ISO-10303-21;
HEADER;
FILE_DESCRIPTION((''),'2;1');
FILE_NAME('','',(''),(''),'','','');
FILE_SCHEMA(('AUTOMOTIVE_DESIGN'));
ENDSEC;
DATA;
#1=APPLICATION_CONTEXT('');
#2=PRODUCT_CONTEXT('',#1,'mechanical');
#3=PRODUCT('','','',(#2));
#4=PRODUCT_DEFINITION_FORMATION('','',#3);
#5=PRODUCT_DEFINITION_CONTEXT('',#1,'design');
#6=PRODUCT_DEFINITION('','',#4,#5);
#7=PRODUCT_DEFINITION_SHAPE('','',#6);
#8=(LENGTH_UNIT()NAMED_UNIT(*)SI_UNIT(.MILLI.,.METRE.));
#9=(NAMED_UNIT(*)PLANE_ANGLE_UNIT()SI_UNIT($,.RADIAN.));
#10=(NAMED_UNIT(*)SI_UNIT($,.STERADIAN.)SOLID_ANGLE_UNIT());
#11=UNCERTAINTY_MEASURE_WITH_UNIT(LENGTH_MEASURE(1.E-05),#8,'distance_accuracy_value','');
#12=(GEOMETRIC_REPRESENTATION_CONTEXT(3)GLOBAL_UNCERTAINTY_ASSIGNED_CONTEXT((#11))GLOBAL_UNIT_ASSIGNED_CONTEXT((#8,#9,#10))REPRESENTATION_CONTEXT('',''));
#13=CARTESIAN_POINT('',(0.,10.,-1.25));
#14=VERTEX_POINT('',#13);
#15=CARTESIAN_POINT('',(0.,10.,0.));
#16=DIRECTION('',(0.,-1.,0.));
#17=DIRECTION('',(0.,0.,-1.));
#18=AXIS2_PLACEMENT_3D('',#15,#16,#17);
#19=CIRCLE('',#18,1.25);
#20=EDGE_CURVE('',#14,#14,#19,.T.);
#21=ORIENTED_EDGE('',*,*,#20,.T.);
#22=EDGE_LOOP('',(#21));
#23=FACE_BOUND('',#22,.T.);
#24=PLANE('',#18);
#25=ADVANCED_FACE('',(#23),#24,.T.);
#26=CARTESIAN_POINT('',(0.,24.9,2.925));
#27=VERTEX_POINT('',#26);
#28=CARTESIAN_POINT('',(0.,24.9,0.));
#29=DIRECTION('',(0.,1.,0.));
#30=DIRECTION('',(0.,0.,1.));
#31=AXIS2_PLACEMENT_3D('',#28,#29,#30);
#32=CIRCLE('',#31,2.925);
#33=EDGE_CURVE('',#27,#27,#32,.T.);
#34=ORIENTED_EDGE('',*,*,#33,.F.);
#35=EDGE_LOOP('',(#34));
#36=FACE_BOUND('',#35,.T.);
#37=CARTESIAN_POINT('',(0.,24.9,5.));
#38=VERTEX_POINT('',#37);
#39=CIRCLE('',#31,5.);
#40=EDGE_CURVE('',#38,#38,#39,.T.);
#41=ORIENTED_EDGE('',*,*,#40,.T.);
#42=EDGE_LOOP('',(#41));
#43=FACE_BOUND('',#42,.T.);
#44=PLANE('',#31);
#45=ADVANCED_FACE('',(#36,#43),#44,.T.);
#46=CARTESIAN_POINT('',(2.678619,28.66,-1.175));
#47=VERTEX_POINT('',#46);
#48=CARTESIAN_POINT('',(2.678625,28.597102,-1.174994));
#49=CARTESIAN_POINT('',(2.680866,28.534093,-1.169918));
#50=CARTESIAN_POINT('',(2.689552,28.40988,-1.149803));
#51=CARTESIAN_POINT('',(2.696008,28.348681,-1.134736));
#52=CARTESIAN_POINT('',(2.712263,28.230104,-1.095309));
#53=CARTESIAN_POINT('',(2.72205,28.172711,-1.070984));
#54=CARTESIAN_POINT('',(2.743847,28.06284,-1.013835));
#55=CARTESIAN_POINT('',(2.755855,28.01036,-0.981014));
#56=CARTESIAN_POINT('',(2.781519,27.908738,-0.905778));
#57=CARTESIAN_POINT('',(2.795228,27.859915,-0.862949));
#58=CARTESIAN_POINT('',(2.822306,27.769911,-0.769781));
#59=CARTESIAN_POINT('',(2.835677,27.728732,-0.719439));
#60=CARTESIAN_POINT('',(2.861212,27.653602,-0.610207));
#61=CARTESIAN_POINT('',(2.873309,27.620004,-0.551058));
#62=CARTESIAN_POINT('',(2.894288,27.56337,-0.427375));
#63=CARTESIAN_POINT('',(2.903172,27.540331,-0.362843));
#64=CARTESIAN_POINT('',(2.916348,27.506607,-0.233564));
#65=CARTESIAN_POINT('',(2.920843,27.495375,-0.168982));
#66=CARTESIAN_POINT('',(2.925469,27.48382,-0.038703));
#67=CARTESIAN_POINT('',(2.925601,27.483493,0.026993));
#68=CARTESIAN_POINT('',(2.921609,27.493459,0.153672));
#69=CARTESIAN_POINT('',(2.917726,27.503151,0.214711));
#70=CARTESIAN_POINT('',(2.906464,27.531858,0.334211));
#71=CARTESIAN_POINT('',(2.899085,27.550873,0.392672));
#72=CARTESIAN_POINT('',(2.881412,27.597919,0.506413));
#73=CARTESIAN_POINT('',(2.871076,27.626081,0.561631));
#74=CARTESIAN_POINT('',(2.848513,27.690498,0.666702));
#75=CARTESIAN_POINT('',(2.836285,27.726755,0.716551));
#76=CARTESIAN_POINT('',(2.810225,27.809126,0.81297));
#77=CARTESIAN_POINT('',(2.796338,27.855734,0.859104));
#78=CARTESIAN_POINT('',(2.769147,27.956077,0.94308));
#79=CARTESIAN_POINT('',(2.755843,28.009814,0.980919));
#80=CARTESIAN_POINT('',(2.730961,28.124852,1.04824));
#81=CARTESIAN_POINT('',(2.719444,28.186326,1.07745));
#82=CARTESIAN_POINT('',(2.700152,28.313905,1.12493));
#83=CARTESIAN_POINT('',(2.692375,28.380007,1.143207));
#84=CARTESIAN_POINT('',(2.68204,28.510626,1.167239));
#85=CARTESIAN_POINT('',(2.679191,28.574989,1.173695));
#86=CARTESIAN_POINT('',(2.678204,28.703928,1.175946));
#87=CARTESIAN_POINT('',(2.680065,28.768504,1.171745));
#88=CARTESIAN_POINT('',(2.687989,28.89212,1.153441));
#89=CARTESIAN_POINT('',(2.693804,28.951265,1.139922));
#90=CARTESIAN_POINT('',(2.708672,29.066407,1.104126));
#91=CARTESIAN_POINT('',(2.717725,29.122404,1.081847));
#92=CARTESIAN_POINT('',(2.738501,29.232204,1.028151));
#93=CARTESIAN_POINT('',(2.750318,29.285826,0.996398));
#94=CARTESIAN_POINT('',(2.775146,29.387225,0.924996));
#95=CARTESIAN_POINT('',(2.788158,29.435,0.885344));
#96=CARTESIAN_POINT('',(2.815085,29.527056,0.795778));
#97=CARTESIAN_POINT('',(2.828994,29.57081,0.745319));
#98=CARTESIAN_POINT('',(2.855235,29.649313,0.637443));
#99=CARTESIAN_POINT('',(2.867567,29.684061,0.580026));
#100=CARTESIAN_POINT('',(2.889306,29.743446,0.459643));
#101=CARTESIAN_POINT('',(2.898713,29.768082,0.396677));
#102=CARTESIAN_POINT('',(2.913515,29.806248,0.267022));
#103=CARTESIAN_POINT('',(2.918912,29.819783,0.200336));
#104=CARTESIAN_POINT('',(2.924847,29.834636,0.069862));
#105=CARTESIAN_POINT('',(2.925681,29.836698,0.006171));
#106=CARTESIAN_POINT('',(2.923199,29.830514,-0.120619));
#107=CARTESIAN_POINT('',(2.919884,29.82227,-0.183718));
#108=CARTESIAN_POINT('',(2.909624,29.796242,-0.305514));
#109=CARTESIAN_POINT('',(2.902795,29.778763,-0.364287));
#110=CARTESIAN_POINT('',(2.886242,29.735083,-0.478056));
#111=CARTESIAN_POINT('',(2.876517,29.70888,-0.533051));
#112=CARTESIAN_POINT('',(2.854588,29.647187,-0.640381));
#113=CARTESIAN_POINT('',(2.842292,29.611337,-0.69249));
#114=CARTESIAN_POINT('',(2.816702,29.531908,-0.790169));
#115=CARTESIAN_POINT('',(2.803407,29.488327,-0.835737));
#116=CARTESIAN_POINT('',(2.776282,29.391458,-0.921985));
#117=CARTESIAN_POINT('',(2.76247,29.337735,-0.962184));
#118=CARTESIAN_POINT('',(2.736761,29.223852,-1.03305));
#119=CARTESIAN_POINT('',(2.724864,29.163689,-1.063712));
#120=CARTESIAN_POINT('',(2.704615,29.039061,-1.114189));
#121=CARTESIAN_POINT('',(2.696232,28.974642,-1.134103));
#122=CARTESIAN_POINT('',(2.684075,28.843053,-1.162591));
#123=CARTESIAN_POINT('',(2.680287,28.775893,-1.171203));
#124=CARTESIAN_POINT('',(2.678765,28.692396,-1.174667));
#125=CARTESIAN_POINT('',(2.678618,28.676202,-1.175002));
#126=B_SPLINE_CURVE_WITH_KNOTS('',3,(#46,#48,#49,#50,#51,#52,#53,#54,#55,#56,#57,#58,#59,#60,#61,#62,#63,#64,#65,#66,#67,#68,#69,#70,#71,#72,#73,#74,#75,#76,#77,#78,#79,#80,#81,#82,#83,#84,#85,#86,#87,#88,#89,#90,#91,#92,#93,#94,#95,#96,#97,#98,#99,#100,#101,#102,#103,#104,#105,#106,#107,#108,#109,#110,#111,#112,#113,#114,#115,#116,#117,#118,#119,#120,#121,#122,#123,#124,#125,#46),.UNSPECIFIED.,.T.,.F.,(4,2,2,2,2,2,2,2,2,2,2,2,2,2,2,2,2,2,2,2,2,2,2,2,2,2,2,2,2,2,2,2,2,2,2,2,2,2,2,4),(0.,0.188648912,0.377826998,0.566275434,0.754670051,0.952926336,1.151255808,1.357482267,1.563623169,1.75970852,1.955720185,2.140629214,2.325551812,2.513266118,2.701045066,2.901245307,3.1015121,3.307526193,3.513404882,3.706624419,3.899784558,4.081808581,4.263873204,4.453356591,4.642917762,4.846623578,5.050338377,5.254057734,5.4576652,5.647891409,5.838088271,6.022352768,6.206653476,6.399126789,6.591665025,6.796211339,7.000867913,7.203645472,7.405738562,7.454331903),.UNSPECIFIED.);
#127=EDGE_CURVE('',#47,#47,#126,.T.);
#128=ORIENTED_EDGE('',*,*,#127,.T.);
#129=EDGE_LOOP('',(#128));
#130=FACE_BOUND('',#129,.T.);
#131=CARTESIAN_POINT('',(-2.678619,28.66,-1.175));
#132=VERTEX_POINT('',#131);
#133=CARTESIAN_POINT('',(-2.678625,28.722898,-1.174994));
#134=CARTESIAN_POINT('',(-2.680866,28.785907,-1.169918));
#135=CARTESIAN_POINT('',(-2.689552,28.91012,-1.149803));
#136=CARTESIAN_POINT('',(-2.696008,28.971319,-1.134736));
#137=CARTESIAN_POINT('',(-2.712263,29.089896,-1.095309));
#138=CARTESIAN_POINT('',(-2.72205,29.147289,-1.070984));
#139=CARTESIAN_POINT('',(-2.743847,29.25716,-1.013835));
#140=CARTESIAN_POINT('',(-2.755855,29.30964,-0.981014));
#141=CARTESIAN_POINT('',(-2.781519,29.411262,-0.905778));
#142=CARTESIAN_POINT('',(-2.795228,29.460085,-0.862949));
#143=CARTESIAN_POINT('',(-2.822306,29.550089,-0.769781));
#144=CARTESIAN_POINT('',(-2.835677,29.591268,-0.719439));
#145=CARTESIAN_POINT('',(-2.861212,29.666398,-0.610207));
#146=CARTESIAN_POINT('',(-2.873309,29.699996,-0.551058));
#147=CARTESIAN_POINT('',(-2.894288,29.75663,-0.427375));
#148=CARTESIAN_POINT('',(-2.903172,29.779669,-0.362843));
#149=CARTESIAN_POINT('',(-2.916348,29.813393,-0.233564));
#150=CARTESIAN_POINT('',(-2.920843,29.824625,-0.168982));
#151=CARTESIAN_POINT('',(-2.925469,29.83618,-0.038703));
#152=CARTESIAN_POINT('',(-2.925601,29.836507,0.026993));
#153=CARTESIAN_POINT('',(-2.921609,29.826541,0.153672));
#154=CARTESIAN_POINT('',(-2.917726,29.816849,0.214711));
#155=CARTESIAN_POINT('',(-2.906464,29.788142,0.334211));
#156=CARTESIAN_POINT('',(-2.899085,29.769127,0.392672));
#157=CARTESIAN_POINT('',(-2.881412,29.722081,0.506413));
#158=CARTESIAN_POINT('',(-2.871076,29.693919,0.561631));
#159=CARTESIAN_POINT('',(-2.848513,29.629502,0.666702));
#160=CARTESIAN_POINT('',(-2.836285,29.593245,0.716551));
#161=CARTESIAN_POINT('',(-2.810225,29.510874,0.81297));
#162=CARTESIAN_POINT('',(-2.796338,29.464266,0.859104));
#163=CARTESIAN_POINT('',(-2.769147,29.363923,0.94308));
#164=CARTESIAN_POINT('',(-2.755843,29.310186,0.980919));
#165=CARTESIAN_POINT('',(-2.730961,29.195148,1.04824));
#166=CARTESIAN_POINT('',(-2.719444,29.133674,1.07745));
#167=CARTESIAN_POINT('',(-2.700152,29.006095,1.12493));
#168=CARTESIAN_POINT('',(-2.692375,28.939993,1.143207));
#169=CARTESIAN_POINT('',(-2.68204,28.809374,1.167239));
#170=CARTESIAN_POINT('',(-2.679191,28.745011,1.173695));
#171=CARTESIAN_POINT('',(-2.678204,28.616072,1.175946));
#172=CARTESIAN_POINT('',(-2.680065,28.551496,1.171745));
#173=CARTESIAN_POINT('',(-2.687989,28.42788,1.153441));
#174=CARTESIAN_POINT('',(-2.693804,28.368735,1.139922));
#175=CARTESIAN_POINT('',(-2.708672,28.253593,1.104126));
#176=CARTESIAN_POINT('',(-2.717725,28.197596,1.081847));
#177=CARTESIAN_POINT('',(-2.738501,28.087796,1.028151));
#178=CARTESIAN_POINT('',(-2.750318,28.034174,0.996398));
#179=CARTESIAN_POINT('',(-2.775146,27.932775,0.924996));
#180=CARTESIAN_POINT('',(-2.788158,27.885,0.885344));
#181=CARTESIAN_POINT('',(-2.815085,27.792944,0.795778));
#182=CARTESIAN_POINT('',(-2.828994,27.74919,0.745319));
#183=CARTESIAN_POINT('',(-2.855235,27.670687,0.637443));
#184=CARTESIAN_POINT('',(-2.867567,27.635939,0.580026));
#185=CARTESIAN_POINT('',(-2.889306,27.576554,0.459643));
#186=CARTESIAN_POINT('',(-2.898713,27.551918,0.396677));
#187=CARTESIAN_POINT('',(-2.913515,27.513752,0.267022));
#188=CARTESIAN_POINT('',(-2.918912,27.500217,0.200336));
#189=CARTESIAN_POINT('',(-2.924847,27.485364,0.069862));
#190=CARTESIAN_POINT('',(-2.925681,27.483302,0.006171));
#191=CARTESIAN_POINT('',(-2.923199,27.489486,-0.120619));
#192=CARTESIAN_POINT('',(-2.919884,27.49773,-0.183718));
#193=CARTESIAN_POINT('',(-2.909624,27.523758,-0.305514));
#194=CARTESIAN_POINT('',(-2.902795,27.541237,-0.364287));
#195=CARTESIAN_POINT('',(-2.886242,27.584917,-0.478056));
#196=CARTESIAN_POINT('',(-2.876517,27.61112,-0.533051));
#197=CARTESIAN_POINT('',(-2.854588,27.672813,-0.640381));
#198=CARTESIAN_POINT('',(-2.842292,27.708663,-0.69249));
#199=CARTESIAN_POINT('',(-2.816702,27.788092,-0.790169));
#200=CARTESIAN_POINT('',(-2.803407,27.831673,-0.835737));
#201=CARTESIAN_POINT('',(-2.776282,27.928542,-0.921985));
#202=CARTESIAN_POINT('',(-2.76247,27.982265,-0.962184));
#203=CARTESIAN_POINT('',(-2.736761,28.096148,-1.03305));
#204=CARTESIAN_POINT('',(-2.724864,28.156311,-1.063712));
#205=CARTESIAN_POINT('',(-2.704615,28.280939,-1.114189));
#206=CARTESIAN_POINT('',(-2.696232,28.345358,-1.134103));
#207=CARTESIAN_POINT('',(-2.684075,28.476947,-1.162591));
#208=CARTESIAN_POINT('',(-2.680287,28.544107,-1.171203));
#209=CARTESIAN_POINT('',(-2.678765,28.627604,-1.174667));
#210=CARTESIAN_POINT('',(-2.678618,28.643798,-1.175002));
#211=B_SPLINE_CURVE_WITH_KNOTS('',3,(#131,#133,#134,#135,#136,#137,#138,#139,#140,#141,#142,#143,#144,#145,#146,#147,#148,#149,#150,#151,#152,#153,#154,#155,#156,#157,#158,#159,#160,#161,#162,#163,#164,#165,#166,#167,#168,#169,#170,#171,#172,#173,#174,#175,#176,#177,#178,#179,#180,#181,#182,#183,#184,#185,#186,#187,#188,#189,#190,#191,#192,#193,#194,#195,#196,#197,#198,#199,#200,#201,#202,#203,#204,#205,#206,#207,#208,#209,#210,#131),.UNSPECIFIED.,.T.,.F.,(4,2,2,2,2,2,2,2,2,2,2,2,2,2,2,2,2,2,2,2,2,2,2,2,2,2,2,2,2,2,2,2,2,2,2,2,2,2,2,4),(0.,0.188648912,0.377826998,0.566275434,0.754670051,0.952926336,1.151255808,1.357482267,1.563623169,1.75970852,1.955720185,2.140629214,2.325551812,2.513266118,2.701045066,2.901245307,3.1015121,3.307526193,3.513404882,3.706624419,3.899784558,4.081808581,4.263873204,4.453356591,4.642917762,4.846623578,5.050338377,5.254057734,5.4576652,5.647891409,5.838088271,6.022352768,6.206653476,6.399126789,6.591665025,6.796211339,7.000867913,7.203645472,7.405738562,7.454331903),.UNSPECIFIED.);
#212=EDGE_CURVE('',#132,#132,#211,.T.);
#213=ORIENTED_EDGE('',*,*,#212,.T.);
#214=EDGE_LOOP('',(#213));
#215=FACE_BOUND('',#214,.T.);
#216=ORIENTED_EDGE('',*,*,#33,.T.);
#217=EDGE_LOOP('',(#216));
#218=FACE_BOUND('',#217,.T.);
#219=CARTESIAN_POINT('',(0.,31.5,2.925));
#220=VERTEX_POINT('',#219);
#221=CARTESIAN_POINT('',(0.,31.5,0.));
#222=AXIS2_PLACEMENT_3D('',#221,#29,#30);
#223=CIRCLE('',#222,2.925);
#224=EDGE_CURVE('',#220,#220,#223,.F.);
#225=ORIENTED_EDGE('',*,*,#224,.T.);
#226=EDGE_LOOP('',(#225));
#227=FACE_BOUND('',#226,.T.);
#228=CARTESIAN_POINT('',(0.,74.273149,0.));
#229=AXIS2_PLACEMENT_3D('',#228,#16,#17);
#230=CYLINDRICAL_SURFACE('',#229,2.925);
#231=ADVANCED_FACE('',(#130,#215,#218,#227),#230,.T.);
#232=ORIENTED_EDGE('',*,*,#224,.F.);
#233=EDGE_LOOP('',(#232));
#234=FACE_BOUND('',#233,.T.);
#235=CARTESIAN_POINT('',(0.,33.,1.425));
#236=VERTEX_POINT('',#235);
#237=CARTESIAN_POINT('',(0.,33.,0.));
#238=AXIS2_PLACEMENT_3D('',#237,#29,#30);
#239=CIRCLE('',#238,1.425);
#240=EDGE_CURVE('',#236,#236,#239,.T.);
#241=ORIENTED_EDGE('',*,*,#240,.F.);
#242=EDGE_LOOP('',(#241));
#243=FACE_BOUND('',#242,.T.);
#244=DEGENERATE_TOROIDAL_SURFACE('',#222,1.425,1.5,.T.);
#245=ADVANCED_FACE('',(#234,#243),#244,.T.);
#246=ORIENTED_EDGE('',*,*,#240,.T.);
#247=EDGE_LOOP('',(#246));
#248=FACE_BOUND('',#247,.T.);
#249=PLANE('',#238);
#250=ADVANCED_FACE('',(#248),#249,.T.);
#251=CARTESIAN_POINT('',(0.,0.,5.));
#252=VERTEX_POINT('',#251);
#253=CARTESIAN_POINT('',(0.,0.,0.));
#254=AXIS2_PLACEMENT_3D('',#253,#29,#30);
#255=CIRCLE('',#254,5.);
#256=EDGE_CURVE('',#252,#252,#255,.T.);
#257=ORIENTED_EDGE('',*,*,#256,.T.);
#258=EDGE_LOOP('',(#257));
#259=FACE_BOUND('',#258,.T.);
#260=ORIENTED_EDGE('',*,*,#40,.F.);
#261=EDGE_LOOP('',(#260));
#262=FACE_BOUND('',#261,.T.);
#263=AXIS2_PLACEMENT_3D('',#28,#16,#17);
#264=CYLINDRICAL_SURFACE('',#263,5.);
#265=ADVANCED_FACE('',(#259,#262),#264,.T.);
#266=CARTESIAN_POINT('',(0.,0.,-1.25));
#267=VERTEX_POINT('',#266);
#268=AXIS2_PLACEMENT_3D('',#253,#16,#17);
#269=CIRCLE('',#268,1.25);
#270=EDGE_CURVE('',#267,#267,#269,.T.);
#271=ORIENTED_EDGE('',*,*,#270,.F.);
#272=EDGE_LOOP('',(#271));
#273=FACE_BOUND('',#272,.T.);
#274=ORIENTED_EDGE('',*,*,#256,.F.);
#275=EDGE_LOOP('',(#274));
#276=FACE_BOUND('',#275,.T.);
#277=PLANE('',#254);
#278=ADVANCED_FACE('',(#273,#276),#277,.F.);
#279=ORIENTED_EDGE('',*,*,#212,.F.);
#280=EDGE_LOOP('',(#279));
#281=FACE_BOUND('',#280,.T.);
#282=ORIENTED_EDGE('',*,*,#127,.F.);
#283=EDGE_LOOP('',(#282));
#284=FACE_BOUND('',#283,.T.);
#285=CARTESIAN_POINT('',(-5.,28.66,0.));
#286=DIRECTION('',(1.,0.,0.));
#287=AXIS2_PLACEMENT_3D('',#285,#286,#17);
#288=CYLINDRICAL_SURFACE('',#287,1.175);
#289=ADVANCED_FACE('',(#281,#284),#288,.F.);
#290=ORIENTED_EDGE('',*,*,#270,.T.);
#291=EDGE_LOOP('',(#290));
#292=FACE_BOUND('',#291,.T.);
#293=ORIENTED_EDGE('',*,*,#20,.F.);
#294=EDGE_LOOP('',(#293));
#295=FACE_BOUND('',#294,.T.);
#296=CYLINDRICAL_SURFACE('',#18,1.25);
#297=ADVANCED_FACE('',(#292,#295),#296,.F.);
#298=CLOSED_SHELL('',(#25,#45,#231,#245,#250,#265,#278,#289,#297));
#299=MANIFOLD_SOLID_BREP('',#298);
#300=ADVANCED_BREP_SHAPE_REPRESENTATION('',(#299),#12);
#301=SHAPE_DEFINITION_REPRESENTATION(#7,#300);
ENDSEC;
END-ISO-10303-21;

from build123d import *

# Parameters (mm, degrees)
SKETCH1_R               = 5
BOSS_EXTRUDE1_DEPTH     = 24.9
SKETCH2_R               = 2.925
BOSS_EXTRUDE2_DEPTH     = 8.1
FILLET1_R               = 1.5
CUT_EXTRUDE1_DEPTH      = 34.749074061
CUT_EXTRUDE1_DEPTH_BACK = 34.749074061
SKETCH3_R               = 1.175
SKETCH4_R               = 1.25
CUT_EXTRUDE2_DEPTH      = 10


with BuildPart() as part:
    # Sketch1 → Boss-Extrude1 (new body)
    with BuildSketch(Plane(origin=(0, 0, 0), x_dir=(1, 0, 0), z_dir=(0, 1, 0))):
        with Locations(Location((0, 0, 0), (0, 0, 270))):
            Circle(SKETCH1_R)
    extrude(amount=BOSS_EXTRUDE1_DEPTH)

    # Sketch2 → Boss-Extrude2 (add)
    with BuildSketch(Plane(origin=(0, 24.9, 0), x_dir=(1, 0, 0), z_dir=(0, 1, 0))):
        with Locations(Location((0, 0, 0), (0, 0, 90))):
            Circle(SKETCH2_R)
    extrude(amount=BOSS_EXTRUDE2_DEPTH)

    # Fillet1
    fillet1_edges = [part.edges().sort_by_distance(p)[0] for p in [
        (0, 33, 2.925),
    ]]
    fillet(fillet1_edges, radius=FILLET1_R)

    # Sketch3 → Cut-Extrude1 (cut, two sides: drawn at the far end of the back side and taken through both)
    with BuildSketch(Plane(origin=(0, 0, 0), x_dir=(0, 0, -1), z_dir=(1, 0, 0)).offset(-CUT_EXTRUDE1_DEPTH_BACK)):
        with Locations((0, 28.66)):
            Circle(SKETCH3_R)
    extrude(amount=CUT_EXTRUDE1_DEPTH + CUT_EXTRUDE1_DEPTH_BACK, mode=Mode.SUBTRACT)

    # Sketch4 → Cut-Extrude2 (cut)
    with BuildSketch(Plane.XZ):
        with Locations(Location((0, 0, 0), (0, 0, 270))):
            Circle(SKETCH4_R)
    extrude(amount=-CUT_EXTRUDE2_DEPTH, mode=Mode.SUBTRACT)


solid = part.part
